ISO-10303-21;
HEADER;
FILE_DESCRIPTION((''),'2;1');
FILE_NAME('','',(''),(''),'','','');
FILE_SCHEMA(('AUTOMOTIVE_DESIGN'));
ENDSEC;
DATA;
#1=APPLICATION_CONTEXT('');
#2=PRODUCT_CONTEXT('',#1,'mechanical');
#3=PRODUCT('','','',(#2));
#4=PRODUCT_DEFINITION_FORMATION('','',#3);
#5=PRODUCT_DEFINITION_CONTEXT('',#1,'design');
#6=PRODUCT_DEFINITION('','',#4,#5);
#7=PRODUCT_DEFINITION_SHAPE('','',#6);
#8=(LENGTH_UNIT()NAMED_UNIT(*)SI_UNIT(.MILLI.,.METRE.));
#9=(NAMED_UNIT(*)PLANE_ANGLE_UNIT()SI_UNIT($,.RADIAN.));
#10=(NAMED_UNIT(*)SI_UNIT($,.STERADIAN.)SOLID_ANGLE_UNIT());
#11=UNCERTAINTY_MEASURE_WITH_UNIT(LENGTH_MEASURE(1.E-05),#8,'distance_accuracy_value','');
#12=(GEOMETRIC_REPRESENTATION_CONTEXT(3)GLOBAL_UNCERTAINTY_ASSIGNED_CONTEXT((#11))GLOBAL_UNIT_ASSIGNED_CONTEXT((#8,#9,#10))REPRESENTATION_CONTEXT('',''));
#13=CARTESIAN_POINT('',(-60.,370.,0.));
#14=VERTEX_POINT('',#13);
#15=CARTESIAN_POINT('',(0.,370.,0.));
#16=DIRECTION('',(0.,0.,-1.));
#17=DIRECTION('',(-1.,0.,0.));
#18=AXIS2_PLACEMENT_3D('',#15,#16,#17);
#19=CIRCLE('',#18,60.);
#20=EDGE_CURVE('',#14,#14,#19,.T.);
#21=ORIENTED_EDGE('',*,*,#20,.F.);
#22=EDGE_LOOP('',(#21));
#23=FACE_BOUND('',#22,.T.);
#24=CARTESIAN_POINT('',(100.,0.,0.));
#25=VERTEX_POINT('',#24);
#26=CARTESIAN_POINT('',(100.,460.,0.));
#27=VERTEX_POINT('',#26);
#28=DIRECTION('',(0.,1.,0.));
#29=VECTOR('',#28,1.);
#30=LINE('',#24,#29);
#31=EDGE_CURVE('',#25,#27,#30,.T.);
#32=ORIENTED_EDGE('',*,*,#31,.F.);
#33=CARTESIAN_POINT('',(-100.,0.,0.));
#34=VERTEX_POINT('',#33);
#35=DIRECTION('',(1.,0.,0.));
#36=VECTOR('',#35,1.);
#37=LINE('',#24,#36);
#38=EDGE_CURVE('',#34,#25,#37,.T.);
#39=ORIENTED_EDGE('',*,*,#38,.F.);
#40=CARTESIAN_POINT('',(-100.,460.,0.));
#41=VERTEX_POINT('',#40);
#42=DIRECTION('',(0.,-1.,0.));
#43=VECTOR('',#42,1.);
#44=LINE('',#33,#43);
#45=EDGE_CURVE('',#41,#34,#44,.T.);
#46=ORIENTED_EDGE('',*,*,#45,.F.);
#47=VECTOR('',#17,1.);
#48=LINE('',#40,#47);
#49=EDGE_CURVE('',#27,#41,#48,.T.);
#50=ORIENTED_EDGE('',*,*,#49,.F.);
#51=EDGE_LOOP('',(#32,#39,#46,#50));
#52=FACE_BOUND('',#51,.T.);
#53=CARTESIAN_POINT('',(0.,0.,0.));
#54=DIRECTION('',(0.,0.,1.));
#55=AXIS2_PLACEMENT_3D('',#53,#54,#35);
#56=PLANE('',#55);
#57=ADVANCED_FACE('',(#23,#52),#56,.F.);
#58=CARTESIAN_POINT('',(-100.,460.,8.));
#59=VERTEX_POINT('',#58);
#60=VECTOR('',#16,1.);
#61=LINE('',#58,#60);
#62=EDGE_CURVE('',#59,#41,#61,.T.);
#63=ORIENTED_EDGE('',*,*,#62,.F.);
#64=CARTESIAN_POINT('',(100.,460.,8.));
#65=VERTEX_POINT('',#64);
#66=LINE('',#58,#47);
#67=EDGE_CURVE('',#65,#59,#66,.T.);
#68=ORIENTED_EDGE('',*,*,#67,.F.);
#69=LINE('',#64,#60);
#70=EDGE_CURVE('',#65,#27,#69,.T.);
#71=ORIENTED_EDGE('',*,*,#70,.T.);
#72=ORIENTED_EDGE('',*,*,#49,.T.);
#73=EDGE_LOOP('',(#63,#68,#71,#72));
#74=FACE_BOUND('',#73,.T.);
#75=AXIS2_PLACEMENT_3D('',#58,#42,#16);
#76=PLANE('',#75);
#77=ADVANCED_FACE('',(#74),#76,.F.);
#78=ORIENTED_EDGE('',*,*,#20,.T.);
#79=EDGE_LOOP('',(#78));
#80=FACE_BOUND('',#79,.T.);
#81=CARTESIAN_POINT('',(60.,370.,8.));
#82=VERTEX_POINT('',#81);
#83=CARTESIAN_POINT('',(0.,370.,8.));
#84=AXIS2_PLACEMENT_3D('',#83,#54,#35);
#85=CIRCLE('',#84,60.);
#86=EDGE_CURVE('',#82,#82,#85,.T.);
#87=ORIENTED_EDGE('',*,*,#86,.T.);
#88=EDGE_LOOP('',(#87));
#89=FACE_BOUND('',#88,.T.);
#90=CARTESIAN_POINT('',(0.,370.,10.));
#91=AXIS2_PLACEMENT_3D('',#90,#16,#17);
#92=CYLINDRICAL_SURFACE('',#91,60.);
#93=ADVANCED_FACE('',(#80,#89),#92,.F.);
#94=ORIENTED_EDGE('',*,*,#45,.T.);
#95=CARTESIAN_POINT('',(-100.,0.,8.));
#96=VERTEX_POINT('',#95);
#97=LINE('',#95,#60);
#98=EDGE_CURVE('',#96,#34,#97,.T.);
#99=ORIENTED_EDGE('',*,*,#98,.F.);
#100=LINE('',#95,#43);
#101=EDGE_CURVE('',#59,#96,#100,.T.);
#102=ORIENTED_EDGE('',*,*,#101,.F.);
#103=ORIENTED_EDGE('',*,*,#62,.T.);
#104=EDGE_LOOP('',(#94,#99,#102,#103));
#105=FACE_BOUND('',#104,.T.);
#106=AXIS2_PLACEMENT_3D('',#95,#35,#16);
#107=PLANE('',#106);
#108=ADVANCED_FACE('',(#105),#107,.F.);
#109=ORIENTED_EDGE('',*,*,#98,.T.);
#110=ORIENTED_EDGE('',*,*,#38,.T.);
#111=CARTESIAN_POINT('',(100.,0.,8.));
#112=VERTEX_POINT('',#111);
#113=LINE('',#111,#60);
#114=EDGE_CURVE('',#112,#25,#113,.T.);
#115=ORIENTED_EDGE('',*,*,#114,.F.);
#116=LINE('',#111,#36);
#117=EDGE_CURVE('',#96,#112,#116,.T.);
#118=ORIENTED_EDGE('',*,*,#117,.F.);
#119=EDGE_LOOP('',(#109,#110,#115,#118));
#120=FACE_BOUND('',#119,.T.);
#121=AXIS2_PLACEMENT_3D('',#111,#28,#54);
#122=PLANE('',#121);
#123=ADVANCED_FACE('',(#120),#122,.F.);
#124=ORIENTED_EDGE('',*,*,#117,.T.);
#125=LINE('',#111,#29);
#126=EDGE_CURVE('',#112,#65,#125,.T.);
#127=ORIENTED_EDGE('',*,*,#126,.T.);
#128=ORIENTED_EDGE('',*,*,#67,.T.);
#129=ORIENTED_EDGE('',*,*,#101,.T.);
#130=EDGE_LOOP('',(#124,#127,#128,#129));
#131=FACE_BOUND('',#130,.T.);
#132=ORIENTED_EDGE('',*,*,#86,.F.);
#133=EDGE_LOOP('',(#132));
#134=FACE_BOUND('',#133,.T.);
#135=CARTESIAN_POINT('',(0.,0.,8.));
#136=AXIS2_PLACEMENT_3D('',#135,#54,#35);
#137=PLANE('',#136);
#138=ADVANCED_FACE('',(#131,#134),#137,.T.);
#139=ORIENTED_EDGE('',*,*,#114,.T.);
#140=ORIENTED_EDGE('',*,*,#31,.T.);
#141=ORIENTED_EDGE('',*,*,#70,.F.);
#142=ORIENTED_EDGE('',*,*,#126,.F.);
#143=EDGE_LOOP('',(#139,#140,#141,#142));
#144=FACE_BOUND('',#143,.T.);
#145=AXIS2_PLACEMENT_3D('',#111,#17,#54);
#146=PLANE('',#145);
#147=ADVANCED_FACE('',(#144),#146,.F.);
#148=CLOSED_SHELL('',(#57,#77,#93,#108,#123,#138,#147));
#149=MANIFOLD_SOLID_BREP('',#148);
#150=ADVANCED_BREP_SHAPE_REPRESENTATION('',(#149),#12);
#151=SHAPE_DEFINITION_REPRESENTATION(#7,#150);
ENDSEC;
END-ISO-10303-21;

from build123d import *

# Parameters (mm, degrees)
SKETCH_1_W          = 200
SKETCH_1_H          = 460
EXTRUDE_1_DEPTH     = 8
SKETCH_2_R          = 60
CUT_EXTRUDE_1_DEPTH = 10


with BuildPart() as part:
    # 草图1 → 凸台-拉伸1 (new body)
    with BuildSketch(Plane.XY):
        with Locations((0, 230)):
            Rectangle(SKETCH_1_W, SKETCH_1_H)
    extrude(amount=EXTRUDE_1_DEPTH)

    # 草图2 → 切除-拉伸1 (cut)
    with BuildSketch(Plane(origin=(0, 0, 0), x_dir=(-1, 0, 0), z_dir=(0, 0, -1))):
        with Locations((0, 370)):
            Circle(SKETCH_2_R)
    extrude(amount=-CUT_EXTRUDE_1_DEPTH, mode=Mode.SUBTRACT)


solid = part.part
